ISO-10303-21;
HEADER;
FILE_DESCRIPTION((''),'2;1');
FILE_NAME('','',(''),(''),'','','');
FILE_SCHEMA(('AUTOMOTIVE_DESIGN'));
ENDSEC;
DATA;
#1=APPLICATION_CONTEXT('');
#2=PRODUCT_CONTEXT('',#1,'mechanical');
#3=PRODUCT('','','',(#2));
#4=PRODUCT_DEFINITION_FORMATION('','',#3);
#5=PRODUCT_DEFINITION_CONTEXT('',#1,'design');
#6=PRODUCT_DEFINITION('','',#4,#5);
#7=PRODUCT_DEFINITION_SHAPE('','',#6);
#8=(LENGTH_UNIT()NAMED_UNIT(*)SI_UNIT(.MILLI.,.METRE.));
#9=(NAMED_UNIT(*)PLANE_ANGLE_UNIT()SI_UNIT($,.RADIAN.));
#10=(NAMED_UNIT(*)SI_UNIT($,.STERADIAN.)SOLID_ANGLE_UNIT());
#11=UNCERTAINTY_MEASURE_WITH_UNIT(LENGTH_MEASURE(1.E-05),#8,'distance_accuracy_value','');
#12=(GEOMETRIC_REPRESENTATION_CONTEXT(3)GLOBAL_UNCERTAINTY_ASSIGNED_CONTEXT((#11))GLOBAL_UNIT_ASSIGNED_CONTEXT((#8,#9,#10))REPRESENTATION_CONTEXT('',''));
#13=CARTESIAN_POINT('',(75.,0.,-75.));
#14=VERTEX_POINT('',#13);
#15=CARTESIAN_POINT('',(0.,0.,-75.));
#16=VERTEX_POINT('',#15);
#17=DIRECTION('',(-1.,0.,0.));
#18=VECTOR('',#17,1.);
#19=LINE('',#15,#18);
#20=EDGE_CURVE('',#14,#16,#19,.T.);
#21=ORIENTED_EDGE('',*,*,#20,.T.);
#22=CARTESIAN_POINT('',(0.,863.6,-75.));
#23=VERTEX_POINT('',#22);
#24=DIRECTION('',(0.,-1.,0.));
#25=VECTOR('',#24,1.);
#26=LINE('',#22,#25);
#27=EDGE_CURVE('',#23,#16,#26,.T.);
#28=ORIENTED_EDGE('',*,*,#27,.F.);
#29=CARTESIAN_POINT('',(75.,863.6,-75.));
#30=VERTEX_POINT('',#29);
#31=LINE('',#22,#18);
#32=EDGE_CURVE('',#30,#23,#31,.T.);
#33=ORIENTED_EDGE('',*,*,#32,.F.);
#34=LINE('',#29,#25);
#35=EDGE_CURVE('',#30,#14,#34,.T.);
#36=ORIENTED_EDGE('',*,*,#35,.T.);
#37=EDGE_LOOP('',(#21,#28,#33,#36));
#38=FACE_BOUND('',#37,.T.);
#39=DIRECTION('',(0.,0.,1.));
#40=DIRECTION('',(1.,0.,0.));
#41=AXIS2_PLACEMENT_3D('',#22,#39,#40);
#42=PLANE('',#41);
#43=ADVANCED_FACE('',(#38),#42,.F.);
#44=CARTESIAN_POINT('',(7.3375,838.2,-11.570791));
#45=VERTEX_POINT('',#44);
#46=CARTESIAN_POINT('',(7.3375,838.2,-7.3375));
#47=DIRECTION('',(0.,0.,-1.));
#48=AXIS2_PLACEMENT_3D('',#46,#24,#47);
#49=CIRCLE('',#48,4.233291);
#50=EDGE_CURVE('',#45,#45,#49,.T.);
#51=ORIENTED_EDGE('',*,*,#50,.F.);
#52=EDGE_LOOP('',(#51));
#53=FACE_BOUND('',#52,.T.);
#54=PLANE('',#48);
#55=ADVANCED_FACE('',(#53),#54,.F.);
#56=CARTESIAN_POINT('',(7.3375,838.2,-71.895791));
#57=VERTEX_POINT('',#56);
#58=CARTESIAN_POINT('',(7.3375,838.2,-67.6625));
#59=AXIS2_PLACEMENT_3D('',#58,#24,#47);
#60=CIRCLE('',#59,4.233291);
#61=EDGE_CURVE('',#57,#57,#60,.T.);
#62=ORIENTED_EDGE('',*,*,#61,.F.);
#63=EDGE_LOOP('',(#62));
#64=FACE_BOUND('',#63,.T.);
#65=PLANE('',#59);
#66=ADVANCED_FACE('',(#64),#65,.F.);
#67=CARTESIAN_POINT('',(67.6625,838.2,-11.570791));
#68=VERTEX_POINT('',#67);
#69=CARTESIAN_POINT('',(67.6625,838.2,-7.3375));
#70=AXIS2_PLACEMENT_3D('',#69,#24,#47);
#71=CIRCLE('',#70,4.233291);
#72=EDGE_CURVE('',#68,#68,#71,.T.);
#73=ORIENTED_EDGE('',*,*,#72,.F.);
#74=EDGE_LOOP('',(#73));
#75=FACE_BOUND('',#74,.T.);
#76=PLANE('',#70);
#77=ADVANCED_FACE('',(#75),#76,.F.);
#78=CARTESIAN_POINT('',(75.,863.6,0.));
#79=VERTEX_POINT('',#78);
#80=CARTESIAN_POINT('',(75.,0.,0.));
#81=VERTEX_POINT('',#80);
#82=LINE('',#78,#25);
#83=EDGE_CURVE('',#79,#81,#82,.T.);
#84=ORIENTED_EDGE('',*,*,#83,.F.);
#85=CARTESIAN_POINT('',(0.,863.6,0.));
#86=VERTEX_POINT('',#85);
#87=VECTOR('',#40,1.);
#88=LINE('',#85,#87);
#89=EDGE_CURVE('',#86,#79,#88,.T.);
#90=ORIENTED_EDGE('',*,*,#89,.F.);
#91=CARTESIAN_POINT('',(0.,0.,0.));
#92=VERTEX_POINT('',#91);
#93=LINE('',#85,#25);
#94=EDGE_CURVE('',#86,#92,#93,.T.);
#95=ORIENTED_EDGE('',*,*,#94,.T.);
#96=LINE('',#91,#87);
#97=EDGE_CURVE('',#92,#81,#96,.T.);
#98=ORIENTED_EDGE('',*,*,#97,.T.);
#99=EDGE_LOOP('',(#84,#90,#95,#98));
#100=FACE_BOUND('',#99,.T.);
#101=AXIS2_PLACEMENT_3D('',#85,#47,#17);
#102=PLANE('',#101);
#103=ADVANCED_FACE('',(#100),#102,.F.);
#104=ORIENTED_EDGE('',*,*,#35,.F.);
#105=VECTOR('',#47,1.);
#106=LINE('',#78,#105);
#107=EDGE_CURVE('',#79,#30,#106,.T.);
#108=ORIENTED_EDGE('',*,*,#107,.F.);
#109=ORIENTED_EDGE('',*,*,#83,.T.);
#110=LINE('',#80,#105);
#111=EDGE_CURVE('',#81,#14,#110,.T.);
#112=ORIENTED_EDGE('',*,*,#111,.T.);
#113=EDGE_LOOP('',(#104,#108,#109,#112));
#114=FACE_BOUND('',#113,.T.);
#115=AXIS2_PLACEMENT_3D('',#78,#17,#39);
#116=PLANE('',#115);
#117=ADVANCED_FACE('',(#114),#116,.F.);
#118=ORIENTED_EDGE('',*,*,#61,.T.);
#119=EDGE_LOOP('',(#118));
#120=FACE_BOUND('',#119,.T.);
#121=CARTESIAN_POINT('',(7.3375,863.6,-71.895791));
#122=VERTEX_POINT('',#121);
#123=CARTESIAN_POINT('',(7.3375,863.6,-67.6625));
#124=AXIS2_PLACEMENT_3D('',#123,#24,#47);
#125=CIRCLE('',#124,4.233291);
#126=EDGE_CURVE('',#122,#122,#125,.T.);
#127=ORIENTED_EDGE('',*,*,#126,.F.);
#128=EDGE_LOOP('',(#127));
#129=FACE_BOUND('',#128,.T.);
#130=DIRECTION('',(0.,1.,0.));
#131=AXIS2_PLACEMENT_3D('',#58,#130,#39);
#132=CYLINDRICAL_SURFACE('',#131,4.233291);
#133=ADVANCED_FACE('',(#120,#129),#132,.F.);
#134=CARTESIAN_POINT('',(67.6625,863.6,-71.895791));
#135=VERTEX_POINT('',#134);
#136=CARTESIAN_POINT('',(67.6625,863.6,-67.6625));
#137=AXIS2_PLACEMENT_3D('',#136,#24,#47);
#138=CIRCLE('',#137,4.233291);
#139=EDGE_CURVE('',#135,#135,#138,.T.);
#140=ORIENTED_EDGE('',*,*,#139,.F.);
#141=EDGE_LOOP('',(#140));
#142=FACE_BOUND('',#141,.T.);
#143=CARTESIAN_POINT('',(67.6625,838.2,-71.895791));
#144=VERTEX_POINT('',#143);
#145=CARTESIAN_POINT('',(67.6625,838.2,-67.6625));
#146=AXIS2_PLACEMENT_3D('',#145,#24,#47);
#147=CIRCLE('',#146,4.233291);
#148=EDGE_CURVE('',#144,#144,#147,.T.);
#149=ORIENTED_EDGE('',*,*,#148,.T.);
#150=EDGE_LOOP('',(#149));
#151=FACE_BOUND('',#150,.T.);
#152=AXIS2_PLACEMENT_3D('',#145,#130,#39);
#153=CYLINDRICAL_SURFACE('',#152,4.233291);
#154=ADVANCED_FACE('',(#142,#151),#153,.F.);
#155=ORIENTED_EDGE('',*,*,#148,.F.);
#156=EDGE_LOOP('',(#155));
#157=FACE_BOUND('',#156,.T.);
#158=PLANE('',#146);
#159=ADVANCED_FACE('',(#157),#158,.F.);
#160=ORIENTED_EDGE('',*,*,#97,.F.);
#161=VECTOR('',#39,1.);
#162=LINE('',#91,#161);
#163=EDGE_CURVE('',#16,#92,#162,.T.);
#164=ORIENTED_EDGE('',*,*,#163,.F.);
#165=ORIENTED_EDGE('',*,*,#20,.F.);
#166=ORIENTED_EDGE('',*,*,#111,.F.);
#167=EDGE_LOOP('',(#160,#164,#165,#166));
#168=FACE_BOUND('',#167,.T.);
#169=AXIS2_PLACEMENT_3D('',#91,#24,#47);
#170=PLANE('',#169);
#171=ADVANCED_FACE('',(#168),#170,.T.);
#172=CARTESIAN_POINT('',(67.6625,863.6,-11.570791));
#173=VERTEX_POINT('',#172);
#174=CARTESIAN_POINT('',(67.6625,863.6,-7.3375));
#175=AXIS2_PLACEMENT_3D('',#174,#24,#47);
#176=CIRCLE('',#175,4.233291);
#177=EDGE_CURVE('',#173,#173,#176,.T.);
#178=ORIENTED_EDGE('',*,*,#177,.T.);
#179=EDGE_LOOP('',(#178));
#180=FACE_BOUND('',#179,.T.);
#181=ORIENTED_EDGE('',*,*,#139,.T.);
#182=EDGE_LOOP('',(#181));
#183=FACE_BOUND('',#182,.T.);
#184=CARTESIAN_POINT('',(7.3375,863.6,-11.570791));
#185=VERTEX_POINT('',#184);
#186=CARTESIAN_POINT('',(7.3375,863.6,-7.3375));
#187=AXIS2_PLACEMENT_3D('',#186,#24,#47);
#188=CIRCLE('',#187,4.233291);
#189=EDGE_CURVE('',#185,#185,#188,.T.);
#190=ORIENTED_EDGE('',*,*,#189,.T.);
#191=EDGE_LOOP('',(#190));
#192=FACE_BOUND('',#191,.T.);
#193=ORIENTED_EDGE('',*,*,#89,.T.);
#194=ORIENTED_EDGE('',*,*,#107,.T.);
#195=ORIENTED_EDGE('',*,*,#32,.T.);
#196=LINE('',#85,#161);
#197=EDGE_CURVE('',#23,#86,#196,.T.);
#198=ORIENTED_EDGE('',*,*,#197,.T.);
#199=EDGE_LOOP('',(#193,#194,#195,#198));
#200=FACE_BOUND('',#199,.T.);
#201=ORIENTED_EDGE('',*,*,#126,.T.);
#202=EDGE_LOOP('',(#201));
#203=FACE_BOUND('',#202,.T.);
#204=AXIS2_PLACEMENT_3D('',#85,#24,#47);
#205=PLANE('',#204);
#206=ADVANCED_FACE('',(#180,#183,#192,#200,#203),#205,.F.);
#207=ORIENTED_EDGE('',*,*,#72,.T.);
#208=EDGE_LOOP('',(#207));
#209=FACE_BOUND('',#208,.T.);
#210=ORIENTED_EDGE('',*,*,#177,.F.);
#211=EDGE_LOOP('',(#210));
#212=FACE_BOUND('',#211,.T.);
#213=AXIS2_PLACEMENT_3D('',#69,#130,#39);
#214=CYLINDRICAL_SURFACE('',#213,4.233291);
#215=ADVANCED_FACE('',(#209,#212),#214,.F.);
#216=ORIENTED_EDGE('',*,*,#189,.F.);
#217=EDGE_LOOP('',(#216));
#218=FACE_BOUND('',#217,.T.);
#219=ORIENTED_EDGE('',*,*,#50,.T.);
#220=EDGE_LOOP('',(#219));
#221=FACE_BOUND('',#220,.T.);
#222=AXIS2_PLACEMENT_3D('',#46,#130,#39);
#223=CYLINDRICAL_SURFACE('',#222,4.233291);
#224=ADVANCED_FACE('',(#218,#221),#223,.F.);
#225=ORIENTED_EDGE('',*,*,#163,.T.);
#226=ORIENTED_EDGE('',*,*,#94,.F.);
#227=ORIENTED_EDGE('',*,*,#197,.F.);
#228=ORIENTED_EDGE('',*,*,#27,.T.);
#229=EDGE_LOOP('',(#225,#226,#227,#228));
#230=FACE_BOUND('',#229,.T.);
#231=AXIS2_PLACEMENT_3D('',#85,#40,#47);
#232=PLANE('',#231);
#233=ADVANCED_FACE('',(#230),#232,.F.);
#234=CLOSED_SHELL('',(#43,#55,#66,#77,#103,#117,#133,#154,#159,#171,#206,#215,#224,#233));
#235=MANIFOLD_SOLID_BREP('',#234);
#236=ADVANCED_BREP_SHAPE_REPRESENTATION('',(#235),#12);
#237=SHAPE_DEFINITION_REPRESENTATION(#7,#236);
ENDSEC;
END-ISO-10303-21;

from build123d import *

# Parameters (mm, degrees)
SKETCH3_W           = 75
SKETCH3_H           = 75
BOSS_EXTRUDE1_DEPTH = 863.6
CUT_EXTRUDE1_START  = 863.6
SKETCH4_R           = 4.233291
CUT_EXTRUDE1_DEPTH  = 25.4


with BuildPart() as part:
    # Sketch3 → Boss-Extrude1 (new body)
    with BuildSketch(Plane(origin=(0, 0, 0), x_dir=(1, 0, 0), z_dir=(0, 1, 0))):
        with Locations((37.5, 37.5)):
            Rectangle(SKETCH3_W, SKETCH3_H)
    extrude(amount=BOSS_EXTRUDE1_DEPTH)

    # Sketch4 → Cut-Extrude1 (cut)
    with BuildSketch(Plane(origin=(0, 0, 0), x_dir=(1, 0, 0), z_dir=(0, 1, 0)).offset(CUT_EXTRUDE1_START)):
        with Locations(Location((7.3375, 67.6625, 0), (0, 0, 90))):
            Circle(SKETCH4_R)
        with Locations(Location((67.6625, 67.6625, 0), (0, 0, 90))):
            Circle(SKETCH4_R)
        with Locations(Location((7.3375, 7.3375, 0), (0, 0, 90))):
            Circle(SKETCH4_R)
        with Locations(Location((67.6625, 7.3375, 0), (0, 0, 90))):
            Circle(SKETCH4_R)
    extrude(amount=-CUT_EXTRUDE1_DEPTH, mode=Mode.SUBTRACT)


solid = part.part
